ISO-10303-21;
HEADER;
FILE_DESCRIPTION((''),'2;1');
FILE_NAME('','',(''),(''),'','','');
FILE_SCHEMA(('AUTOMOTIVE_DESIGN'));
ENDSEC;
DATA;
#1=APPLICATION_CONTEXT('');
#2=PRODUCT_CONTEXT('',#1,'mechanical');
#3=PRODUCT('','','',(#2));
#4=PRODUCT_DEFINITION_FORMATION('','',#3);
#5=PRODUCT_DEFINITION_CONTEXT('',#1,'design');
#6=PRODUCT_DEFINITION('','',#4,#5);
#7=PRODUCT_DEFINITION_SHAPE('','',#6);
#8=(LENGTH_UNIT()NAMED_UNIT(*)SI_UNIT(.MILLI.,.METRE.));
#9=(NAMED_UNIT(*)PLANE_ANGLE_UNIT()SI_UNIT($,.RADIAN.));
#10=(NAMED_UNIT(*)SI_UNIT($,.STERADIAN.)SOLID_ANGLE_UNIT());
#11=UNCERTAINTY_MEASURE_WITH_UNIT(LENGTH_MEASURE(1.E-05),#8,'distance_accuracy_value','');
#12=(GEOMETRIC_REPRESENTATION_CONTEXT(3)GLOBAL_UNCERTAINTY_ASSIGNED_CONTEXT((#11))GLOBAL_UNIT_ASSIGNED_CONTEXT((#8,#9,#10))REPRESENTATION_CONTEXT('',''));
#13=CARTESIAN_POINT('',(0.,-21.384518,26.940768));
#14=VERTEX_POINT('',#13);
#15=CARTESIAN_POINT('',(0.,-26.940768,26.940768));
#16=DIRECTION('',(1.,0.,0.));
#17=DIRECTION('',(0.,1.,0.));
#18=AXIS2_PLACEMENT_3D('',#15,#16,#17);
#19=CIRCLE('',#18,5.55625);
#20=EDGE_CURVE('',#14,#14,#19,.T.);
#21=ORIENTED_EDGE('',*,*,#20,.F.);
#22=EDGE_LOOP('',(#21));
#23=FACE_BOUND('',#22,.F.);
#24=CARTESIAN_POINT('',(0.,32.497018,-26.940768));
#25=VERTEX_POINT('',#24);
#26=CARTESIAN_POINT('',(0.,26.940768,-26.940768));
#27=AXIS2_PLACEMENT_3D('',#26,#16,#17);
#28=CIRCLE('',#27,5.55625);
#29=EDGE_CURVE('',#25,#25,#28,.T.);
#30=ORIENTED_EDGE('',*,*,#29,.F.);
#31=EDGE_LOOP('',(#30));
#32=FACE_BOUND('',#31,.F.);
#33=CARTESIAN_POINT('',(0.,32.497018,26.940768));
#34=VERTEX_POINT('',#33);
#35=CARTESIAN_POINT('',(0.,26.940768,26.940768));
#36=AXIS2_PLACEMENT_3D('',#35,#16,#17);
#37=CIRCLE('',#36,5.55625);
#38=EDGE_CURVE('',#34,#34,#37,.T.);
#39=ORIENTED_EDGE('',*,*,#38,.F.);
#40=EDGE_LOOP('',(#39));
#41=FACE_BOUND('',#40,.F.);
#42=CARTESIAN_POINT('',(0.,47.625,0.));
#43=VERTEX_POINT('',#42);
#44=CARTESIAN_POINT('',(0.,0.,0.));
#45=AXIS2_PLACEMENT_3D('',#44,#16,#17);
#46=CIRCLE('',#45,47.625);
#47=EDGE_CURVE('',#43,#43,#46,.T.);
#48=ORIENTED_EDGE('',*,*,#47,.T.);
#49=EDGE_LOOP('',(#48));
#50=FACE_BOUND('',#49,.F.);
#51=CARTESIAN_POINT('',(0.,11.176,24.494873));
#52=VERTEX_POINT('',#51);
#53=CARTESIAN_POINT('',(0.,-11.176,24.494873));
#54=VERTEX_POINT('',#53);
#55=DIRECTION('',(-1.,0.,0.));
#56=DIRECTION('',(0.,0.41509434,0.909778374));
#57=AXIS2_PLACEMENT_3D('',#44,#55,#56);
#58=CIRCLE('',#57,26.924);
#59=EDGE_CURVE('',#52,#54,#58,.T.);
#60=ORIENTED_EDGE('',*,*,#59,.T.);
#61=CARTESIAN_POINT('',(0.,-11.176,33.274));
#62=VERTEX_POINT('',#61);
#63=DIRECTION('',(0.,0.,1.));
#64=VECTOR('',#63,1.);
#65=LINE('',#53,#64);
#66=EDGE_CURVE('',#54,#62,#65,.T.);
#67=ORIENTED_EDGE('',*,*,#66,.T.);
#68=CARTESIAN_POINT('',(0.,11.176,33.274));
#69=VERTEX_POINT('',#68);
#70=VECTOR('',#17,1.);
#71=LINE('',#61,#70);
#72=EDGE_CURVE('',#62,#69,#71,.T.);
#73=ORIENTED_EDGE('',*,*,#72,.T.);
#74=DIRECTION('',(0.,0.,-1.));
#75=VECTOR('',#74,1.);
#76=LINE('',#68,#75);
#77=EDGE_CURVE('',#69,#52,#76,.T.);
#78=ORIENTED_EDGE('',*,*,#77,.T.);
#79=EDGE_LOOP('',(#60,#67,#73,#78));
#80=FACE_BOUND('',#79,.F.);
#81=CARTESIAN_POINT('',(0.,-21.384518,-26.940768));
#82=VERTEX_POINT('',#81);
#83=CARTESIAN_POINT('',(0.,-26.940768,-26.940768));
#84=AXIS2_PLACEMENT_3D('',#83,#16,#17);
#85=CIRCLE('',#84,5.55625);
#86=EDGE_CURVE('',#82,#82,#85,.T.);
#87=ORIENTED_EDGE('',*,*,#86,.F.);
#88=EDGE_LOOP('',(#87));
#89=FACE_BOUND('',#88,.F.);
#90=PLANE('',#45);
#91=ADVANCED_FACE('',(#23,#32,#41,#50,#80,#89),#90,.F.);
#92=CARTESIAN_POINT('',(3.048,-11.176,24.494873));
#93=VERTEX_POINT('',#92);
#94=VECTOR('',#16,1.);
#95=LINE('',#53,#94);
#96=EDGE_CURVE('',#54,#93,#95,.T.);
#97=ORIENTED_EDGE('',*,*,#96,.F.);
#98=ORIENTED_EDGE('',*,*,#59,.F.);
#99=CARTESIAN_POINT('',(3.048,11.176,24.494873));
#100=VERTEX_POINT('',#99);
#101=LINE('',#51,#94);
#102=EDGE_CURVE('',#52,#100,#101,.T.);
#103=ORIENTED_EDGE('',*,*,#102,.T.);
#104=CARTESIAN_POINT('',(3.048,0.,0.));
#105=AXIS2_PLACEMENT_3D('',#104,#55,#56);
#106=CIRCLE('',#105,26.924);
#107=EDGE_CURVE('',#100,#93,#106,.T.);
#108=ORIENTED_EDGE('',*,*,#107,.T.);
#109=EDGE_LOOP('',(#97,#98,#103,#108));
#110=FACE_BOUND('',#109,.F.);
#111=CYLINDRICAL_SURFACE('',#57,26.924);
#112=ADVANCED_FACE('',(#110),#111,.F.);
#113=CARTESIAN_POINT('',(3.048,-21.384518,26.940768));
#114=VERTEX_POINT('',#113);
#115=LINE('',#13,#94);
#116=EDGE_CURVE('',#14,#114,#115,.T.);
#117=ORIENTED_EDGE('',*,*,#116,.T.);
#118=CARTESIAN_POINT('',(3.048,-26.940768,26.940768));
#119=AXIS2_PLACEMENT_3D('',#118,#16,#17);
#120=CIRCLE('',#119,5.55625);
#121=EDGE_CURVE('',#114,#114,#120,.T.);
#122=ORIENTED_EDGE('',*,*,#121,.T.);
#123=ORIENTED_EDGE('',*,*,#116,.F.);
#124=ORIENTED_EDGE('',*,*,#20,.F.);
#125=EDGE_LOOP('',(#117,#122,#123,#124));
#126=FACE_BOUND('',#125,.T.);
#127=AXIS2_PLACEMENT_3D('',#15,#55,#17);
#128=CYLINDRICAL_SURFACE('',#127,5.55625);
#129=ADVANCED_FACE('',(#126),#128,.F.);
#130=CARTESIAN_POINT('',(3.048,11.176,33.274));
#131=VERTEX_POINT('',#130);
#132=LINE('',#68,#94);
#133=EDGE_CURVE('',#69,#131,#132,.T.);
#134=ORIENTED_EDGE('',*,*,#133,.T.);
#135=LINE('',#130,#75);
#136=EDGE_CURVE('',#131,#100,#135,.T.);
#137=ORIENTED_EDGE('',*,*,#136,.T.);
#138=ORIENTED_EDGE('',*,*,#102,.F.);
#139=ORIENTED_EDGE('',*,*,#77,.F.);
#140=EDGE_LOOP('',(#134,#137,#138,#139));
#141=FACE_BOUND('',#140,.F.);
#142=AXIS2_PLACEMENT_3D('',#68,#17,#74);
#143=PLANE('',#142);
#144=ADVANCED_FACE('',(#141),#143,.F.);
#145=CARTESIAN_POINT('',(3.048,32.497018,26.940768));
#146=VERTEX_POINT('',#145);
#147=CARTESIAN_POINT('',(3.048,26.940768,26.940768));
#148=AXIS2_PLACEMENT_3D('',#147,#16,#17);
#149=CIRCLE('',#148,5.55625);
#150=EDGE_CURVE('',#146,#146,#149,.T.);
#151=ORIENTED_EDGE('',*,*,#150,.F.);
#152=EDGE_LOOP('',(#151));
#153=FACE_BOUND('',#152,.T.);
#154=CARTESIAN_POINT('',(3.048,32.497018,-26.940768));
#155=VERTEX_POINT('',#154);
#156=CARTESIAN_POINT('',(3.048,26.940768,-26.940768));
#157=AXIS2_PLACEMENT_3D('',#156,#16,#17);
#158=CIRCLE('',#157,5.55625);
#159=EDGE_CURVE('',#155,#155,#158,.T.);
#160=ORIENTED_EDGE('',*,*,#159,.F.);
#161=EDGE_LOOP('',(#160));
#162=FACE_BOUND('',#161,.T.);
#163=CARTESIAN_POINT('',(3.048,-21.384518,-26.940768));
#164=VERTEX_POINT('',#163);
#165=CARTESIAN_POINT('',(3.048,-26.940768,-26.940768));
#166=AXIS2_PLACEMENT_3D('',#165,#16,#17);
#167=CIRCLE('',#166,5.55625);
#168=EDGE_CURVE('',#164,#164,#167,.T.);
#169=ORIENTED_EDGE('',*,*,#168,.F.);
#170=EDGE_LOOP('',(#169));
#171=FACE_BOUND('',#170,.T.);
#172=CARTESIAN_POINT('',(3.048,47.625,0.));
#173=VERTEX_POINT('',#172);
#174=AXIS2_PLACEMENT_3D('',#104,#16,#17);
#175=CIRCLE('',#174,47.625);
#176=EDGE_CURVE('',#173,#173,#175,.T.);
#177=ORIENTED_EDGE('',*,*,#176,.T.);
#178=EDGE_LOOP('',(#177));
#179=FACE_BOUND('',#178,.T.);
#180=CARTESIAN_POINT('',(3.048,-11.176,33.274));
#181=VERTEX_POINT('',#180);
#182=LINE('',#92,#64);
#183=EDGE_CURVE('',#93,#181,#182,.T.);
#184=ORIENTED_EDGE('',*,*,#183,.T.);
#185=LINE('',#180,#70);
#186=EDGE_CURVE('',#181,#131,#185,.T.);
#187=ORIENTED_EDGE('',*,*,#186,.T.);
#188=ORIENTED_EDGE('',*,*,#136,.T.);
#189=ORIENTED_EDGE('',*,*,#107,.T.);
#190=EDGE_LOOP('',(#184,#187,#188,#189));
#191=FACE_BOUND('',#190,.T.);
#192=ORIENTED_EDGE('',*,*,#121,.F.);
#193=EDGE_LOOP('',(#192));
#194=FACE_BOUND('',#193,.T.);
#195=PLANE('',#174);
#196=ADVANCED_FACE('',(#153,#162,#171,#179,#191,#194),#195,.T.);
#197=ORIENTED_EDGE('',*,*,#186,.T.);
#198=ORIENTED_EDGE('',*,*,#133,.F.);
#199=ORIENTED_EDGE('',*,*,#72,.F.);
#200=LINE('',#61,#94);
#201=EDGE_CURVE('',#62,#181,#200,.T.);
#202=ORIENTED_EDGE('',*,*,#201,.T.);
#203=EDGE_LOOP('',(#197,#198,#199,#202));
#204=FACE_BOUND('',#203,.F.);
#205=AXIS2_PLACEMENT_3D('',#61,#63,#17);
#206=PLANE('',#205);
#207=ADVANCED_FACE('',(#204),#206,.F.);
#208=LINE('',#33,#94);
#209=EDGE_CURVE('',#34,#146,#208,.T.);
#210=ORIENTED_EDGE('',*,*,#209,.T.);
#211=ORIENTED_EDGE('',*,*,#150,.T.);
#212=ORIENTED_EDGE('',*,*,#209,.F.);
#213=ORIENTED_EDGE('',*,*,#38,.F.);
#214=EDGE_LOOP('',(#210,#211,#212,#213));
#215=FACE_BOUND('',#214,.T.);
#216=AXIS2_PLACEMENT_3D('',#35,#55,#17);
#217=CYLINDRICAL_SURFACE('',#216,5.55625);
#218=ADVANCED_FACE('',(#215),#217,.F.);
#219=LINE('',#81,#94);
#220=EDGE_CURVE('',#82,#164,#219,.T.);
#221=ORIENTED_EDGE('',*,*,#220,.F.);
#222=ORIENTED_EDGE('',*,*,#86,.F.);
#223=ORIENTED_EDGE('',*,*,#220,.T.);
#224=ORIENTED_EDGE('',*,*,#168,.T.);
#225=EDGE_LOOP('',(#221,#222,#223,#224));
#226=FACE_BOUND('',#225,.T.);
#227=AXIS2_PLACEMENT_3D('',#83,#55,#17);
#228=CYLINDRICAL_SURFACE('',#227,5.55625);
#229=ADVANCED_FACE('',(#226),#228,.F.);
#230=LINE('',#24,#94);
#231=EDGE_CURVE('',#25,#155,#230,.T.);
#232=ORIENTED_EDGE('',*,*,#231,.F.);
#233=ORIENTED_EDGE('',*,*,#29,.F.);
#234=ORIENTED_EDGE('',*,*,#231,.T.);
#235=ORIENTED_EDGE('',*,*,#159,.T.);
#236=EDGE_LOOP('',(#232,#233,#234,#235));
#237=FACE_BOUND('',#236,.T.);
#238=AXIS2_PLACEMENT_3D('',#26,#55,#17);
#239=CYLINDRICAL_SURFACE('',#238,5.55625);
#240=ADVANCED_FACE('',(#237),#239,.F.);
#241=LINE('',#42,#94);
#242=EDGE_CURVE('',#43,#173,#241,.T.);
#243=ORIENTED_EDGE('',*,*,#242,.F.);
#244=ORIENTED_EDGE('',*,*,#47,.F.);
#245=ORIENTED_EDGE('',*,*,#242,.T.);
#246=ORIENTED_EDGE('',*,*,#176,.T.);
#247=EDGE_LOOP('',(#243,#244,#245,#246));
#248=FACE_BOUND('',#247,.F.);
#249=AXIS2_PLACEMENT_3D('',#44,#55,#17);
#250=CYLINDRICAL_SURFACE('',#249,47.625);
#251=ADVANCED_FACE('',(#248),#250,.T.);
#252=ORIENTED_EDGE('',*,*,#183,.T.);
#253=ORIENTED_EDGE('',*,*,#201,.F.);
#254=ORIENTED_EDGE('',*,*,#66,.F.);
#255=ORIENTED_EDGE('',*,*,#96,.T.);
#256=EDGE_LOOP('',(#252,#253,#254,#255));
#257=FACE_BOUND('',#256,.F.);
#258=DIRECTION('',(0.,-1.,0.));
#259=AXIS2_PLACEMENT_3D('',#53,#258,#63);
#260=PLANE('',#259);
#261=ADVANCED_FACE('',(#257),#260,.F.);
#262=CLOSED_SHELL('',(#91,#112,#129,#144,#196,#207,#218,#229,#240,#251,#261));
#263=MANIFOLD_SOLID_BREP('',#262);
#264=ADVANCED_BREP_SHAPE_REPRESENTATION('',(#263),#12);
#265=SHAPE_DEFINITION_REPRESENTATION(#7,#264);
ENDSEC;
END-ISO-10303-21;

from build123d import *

# Parameters (mm, degrees)
F0_R     = 47.625
F0_R_2   = 5.55625
F1_DEPTH = 3.048


with BuildPart() as f1:
    # F0 (on Right) → F1 (new body)
    with BuildSketch(Plane.YZ):
        Circle(F0_R)
        with Locations((-26.9407683632, -26.9407683632)):
            Circle(F0_R_2, mode=Mode.SUBTRACT)
        with Locations((26.9407683632, -26.9407683632)):
            Circle(F0_R_2, mode=Mode.SUBTRACT)
        with Locations((-26.9407683632, 26.9407683632)):
            Circle(F0_R_2, mode=Mode.SUBTRACT)
        with BuildLine():
            ThreePointArc((11.176, 24.4948729329), (0, -26.924), (-11.176, 24.4948729329))
            Line((-11.176, 24.4948729329), (-11.176, 33.274))
            Line((-11.176, 33.274), (11.176, 33.274))
            Line((11.176, 33.274), (11.176, 24.4948729329))
        make_face(mode=Mode.SUBTRACT)
        with Locations((26.9407683632, 26.9407683632)):
            Circle(F0_R_2, mode=Mode.SUBTRACT)
    extrude(amount=F1_DEPTH)


solid = f1.part
